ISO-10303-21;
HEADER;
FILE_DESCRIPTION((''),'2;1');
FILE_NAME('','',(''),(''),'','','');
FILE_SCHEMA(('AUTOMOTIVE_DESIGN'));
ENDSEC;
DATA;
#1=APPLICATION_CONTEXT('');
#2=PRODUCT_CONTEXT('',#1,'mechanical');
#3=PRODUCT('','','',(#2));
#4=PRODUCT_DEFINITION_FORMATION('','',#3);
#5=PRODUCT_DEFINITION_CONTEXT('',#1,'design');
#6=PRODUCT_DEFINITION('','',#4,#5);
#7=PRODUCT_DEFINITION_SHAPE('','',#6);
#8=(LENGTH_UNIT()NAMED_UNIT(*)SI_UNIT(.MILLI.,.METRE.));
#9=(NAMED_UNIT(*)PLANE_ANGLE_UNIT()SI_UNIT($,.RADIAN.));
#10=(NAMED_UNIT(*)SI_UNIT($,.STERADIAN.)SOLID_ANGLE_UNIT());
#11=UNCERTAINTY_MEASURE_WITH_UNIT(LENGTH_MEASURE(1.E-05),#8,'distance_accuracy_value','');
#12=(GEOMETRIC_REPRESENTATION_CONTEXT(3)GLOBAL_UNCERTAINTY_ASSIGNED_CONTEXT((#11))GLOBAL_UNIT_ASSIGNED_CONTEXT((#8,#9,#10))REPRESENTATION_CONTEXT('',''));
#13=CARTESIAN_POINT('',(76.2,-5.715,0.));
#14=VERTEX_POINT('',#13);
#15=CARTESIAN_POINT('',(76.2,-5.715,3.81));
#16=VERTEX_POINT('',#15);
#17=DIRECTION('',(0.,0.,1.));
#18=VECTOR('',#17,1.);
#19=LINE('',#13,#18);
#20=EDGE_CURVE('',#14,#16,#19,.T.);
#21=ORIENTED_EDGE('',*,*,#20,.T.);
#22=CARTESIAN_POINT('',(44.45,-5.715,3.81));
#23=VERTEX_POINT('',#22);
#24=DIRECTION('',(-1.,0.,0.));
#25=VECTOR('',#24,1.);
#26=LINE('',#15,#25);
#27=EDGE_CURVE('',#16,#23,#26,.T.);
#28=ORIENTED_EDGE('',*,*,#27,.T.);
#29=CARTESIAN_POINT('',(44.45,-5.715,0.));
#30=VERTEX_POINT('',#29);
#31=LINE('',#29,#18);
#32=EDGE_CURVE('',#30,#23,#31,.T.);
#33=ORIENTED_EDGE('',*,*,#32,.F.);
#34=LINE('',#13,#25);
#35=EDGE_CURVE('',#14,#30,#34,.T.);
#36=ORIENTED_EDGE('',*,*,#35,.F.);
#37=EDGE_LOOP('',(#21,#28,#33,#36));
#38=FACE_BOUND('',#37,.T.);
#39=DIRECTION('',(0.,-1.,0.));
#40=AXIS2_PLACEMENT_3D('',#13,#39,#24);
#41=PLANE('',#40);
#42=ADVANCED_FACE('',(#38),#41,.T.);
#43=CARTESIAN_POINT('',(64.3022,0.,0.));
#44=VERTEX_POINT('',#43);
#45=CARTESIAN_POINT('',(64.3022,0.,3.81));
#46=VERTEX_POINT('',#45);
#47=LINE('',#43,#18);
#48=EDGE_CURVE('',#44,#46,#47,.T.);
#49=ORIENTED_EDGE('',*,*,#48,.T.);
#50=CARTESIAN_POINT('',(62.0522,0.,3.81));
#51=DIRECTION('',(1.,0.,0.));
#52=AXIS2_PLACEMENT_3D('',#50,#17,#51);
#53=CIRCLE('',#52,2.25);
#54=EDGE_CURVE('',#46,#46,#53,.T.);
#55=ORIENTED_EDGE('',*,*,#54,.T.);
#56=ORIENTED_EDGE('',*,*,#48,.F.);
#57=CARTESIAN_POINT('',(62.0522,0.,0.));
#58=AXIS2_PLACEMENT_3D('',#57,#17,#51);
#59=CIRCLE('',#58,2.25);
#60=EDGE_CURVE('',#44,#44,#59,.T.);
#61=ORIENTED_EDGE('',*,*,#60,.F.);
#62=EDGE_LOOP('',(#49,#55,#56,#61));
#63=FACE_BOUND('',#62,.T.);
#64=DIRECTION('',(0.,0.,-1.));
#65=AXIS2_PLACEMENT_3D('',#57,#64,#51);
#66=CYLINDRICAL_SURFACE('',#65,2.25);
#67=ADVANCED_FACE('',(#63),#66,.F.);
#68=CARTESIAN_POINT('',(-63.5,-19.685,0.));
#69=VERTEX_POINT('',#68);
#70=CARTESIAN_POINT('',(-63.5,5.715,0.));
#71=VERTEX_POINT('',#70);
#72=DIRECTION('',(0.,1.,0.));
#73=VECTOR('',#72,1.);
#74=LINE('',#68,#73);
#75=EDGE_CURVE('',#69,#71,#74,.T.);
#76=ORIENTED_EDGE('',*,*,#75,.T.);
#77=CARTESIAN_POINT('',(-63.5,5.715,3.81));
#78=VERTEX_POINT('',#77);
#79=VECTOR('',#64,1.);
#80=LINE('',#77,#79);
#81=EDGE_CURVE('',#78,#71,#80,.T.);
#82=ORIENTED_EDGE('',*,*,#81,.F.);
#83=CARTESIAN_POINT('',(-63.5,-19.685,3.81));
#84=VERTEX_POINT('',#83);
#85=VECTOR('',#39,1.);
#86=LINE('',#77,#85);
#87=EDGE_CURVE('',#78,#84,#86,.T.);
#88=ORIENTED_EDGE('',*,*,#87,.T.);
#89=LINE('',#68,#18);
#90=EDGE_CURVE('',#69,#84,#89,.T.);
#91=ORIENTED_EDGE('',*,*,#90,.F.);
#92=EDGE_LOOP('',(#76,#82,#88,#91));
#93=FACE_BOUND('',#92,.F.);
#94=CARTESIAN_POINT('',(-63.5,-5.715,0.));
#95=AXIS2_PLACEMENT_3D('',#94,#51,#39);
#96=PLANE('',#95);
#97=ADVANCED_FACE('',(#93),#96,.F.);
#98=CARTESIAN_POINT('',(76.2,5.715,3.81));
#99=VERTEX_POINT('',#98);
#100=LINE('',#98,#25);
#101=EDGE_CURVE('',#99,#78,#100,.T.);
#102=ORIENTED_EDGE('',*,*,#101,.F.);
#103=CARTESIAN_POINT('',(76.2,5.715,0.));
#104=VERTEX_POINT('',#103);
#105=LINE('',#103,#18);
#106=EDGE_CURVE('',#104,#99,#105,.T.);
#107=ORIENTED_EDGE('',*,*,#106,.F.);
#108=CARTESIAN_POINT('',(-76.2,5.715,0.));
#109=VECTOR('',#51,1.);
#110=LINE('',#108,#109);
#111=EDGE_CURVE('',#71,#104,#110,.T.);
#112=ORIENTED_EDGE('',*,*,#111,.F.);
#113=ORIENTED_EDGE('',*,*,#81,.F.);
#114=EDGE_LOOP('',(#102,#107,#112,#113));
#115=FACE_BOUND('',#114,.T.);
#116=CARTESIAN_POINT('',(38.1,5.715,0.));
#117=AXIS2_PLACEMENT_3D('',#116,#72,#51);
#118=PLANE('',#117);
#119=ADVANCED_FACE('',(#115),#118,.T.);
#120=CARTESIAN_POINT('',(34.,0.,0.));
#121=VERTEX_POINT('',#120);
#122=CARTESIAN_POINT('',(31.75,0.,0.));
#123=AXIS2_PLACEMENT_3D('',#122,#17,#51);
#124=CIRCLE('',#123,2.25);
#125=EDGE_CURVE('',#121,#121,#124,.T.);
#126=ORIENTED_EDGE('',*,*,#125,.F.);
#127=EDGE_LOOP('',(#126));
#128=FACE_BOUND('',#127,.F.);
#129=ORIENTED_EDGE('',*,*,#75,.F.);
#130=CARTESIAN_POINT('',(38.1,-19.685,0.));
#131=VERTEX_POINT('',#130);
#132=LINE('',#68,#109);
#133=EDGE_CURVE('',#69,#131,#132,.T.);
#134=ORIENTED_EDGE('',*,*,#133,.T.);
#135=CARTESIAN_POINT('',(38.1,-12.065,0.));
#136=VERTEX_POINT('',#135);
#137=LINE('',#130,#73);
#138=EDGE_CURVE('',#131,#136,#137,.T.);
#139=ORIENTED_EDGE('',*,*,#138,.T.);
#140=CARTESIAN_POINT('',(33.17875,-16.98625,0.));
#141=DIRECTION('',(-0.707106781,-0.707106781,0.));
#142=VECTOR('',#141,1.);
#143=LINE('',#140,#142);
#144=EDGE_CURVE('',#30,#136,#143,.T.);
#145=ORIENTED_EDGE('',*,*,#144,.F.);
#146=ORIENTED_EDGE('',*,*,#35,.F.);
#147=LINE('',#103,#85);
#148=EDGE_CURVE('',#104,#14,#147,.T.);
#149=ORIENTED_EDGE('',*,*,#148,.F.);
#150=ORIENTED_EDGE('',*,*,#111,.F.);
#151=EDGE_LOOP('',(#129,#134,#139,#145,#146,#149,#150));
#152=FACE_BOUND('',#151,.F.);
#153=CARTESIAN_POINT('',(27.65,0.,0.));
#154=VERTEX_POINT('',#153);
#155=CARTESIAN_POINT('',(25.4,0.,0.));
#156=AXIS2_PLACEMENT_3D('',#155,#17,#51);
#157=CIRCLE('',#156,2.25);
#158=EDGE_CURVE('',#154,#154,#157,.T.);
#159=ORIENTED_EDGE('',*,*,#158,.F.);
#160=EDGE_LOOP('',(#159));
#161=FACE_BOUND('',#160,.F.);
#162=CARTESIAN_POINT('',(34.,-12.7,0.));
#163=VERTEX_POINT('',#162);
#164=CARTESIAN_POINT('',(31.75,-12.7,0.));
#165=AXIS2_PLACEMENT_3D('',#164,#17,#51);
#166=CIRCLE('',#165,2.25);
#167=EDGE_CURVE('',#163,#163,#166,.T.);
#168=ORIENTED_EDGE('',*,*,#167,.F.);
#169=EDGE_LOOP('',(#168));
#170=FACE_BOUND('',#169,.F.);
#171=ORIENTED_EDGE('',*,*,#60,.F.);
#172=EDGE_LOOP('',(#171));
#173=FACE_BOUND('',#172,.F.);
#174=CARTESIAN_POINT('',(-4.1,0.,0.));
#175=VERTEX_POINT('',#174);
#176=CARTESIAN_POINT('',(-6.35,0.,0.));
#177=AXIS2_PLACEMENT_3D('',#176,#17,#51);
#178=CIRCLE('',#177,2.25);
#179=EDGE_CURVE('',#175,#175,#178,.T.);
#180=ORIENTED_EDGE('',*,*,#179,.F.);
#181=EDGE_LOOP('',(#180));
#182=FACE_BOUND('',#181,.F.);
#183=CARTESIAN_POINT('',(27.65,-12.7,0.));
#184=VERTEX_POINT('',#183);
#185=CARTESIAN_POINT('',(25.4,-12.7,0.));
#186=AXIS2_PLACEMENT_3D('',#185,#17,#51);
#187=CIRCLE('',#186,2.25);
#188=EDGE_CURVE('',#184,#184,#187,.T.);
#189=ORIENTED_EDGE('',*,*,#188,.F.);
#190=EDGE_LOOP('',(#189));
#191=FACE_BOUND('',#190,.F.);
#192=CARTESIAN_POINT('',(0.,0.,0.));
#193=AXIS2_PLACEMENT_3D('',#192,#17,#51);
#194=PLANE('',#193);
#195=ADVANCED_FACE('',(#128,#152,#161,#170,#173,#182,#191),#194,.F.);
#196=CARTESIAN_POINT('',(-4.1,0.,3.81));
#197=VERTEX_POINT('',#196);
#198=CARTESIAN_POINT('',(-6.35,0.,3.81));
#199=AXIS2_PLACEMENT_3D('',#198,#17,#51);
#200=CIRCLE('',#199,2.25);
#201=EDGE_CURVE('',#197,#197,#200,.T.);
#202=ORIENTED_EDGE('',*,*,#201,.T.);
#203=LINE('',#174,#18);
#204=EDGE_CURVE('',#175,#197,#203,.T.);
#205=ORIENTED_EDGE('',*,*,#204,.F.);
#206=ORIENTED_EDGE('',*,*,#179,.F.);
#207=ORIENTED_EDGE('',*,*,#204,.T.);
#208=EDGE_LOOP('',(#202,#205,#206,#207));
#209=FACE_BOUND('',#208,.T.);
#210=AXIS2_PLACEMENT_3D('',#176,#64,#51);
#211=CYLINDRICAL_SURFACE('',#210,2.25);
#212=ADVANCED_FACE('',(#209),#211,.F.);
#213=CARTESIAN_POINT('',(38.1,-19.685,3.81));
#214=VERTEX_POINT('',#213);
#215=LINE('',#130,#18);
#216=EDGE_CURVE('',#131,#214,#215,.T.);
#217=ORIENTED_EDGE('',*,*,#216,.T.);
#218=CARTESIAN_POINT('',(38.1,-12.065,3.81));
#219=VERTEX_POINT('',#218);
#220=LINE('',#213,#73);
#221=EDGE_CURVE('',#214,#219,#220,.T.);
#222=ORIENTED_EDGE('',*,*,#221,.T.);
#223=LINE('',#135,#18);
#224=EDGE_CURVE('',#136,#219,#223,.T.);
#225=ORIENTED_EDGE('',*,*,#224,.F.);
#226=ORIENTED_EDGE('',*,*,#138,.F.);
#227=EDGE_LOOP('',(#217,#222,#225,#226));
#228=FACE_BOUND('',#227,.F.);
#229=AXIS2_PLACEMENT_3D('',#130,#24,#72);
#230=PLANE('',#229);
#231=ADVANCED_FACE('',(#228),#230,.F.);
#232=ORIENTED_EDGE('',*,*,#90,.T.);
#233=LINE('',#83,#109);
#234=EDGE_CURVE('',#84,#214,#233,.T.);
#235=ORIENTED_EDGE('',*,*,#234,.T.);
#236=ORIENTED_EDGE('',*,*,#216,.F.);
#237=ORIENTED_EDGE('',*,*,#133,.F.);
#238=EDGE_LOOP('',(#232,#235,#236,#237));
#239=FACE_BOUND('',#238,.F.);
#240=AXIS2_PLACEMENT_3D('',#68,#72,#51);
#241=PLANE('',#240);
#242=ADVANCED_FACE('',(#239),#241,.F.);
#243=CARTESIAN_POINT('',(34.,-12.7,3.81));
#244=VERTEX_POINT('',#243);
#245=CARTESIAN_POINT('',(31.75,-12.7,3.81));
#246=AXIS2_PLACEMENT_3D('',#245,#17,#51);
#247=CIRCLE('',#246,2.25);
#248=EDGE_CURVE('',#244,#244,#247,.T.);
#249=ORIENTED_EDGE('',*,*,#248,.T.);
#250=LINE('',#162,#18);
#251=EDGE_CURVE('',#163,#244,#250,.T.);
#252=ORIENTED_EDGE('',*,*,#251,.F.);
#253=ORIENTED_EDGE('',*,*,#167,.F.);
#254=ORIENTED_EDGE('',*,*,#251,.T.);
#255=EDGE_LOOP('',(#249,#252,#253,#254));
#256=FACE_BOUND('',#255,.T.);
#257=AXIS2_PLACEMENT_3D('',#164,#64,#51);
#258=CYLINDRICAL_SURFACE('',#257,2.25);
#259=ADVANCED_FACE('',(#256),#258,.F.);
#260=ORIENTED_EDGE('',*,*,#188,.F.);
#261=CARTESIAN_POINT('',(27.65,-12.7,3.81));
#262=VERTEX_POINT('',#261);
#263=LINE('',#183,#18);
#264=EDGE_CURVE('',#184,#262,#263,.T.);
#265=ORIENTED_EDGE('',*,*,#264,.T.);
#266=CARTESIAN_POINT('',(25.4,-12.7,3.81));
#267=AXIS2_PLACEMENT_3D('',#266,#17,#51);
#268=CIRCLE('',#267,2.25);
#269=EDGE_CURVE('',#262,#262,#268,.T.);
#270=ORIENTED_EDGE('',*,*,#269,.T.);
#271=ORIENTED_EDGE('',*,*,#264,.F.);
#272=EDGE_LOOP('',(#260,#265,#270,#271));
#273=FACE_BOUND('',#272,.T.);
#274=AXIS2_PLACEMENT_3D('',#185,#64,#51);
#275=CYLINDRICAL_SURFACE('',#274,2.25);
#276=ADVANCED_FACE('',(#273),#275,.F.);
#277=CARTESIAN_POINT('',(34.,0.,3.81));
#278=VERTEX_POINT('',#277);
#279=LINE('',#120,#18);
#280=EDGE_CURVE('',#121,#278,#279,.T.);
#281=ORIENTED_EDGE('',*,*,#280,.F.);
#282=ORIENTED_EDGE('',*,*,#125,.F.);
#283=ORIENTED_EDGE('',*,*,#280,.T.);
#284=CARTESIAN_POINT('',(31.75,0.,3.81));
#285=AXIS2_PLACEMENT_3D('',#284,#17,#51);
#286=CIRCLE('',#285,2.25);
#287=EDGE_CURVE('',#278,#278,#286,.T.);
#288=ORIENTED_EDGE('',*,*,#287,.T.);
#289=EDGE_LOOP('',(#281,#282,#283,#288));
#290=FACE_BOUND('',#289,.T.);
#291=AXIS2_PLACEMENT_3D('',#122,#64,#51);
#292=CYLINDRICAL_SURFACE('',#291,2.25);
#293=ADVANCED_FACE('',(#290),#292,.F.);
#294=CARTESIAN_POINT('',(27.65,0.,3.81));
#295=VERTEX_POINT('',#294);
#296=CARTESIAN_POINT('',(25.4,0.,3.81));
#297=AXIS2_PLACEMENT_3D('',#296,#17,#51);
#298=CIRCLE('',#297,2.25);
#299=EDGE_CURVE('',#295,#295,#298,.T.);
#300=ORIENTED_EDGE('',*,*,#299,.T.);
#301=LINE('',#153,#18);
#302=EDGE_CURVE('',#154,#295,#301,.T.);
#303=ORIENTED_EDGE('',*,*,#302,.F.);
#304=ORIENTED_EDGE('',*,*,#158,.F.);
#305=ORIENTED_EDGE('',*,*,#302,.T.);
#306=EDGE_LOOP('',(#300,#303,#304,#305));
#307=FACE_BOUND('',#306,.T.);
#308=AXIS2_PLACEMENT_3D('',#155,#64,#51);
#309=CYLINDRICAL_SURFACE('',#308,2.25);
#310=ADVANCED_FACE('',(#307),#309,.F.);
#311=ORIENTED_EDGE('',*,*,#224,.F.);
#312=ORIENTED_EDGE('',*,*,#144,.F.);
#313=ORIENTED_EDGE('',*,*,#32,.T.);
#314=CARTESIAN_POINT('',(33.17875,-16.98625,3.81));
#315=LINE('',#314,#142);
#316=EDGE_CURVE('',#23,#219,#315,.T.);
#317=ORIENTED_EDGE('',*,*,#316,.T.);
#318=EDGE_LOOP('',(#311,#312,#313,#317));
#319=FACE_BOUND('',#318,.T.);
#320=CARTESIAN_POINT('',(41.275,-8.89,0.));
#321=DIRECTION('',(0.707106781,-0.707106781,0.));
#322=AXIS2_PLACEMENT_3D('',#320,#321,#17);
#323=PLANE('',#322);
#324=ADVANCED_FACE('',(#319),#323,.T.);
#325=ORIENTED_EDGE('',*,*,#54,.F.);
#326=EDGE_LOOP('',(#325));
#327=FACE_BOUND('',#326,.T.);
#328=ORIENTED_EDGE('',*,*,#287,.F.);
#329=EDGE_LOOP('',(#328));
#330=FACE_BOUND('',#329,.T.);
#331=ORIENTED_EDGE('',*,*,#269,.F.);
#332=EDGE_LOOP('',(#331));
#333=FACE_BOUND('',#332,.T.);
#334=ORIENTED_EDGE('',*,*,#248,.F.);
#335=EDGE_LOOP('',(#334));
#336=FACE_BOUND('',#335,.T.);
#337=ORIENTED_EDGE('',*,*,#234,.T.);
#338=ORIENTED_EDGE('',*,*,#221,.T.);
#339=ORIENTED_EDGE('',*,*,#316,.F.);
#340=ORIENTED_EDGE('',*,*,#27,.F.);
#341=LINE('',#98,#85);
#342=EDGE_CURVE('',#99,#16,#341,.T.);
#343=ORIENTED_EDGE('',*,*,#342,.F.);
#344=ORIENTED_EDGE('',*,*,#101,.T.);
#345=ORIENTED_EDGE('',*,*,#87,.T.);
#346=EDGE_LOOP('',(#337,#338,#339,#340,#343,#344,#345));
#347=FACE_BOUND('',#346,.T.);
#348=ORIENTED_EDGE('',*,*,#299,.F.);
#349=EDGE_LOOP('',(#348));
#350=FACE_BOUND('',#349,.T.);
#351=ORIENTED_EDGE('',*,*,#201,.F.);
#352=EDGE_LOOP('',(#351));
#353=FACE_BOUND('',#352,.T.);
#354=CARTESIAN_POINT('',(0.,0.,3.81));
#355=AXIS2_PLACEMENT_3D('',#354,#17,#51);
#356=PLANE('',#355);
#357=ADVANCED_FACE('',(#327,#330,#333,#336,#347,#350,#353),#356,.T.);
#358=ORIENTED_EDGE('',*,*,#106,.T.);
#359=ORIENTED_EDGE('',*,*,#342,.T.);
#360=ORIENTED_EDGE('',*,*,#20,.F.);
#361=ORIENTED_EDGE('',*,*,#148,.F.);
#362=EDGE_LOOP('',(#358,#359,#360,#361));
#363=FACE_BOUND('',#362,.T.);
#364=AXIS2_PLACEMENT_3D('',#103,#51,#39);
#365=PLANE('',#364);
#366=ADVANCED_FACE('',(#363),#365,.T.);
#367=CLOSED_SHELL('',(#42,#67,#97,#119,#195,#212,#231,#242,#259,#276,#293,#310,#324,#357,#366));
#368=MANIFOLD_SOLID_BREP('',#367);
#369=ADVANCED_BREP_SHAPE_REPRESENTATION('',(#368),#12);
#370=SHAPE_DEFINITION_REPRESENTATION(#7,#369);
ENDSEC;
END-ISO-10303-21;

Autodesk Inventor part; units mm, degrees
ref_plane "YZ Plane" through (0, 0, 0) normal (1, 0, 0) x (0, 1, 0)
ref_plane "XZ Plane" through (0, 0, 0) normal (0, 1, 0) x (-1, 0, 0)
ref_plane "XY Plane" through (0, 0, 0) normal (0, 0, 1) x (1, 0, 0)
sketch "Sketch1" plane through (0, 0, 0) normal (0, 0, 1) x (1, 0, 0)
  line L0 (76.2, -5.715) -> (-76.2, -5.715)
  line L1 (-76.2, -5.715) -> (-76.2, 5.715)
  line L2 (-76.2, 5.715) -> (76.2, 5.715)
  line L3 (76.2, 5.715) -> (76.2, -5.715)
  line L4 (76.2, -5.715) -> (-76.2, 5.715) construction
  line L5 (-76.2, -5.715) -> (76.2, 5.715) construction
  circle A0 centre (-6.35, 0) radius 2.25
  circle A1 centre (62.0522, 0) radius 2.25
  circle A2 centre (25.4, 0) radius 2.25
  circle A3 centre (31.75, 0) radius 2.25
  circle A4 centre (25.4, -12.7) radius 2.25
  circle A5 centre (31.75, -12.7) radius 2.25
  line L6 (0, 5.715) -> (-76.2, 5.715)
  line L7 (38.1, 5.715) -> (-63.5, 5.715)
  line L8 (-63.5, 5.715) -> (-63.5, -19.685)
  line L9 (-63.5, -19.685) -> (38.1, -19.685)
  line L10 (38.1, -19.685) -> (38.1, 5.715)
  point P0 (0, 0)
  point P1 (38.1, -5.715)
  point P2 (-63.5, -5.715)
  dimension "d0" = 152.4
  dimension "d1" = 11.43
  dimension "d2" = 4.5
  dimension "d3" = 4.5
  dimension "d4" = 68.4022
  dimension "d5" = 69.85
  dimension "d6" = 4.5
  dimension "d9" = 101.6
  dimension "d12" = 6.35
  dimension "d15" = 12.7
  dimension "d22" = 101.6
  dimension "d23" = 25.4
  dimension "d24" = 6.35
extrude "Extrusion1" add sketch "Sketch1" along normal blind 3.81
fillet "Fillet1" [suppressed]
sketch "Sketch2" plane through (0, 0, 3.81) normal (0, 0, 1) x (1, 0, 0)
  line L0 (76.2, 5.715) -> (-76.2, 5.715) projected
  line L1 (-76.2, 5.715) -> (-76.2, -5.715) projected
  line L2 (-76.2, -5.715) -> (-63.5, -5.715) projected
  line L3 (-63.5, -5.715) -> (-63.5, -19.685) projected
  line L4 (-63.5, -19.685) -> (38.1, -19.685) projected
  line L5 (38.1, -19.685) -> (38.1, -5.715) projected
  line L6 (38.1, -5.715) -> (76.2, -5.715) projected
  line L7 (76.2, -5.715) -> (76.2, 5.715) projected
  circle A0 centre (-6.35, 0) radius 2.25 projected
  circle A1 centre (62.0522, 0) radius 2.25 projected
  circle A2 centre (25.4, 0) radius 2.25 projected
  circle A3 centre (31.75, 0) radius 2.25 projected
  circle A4 centre (31.75, -12.7) radius 2.25 projected
  circle A5 centre (25.4, -12.7) radius 2.25 projected
  line L8 (-63.5, -5.715) -> (-76.2, -5.715)
  line L9 (-76.2, -5.715) -> (-76.2, 5.715)
  line L10 (-76.2, 5.715) -> (-63.5, 5.715)
  line L11 (-63.5, 5.715) -> (-63.5, -5.715)
  point P0 (0, 0)
extrude "Extrusion2" cut sketch "Sketch2" against normal through all contours L11 L2 L1 L0
chamfer "Chamfer1" distance 6.35 angle 45 1 edges at (38.1, -5.715, 1.905)
properties part number "Slide_Climb_Hook_Mounts"
